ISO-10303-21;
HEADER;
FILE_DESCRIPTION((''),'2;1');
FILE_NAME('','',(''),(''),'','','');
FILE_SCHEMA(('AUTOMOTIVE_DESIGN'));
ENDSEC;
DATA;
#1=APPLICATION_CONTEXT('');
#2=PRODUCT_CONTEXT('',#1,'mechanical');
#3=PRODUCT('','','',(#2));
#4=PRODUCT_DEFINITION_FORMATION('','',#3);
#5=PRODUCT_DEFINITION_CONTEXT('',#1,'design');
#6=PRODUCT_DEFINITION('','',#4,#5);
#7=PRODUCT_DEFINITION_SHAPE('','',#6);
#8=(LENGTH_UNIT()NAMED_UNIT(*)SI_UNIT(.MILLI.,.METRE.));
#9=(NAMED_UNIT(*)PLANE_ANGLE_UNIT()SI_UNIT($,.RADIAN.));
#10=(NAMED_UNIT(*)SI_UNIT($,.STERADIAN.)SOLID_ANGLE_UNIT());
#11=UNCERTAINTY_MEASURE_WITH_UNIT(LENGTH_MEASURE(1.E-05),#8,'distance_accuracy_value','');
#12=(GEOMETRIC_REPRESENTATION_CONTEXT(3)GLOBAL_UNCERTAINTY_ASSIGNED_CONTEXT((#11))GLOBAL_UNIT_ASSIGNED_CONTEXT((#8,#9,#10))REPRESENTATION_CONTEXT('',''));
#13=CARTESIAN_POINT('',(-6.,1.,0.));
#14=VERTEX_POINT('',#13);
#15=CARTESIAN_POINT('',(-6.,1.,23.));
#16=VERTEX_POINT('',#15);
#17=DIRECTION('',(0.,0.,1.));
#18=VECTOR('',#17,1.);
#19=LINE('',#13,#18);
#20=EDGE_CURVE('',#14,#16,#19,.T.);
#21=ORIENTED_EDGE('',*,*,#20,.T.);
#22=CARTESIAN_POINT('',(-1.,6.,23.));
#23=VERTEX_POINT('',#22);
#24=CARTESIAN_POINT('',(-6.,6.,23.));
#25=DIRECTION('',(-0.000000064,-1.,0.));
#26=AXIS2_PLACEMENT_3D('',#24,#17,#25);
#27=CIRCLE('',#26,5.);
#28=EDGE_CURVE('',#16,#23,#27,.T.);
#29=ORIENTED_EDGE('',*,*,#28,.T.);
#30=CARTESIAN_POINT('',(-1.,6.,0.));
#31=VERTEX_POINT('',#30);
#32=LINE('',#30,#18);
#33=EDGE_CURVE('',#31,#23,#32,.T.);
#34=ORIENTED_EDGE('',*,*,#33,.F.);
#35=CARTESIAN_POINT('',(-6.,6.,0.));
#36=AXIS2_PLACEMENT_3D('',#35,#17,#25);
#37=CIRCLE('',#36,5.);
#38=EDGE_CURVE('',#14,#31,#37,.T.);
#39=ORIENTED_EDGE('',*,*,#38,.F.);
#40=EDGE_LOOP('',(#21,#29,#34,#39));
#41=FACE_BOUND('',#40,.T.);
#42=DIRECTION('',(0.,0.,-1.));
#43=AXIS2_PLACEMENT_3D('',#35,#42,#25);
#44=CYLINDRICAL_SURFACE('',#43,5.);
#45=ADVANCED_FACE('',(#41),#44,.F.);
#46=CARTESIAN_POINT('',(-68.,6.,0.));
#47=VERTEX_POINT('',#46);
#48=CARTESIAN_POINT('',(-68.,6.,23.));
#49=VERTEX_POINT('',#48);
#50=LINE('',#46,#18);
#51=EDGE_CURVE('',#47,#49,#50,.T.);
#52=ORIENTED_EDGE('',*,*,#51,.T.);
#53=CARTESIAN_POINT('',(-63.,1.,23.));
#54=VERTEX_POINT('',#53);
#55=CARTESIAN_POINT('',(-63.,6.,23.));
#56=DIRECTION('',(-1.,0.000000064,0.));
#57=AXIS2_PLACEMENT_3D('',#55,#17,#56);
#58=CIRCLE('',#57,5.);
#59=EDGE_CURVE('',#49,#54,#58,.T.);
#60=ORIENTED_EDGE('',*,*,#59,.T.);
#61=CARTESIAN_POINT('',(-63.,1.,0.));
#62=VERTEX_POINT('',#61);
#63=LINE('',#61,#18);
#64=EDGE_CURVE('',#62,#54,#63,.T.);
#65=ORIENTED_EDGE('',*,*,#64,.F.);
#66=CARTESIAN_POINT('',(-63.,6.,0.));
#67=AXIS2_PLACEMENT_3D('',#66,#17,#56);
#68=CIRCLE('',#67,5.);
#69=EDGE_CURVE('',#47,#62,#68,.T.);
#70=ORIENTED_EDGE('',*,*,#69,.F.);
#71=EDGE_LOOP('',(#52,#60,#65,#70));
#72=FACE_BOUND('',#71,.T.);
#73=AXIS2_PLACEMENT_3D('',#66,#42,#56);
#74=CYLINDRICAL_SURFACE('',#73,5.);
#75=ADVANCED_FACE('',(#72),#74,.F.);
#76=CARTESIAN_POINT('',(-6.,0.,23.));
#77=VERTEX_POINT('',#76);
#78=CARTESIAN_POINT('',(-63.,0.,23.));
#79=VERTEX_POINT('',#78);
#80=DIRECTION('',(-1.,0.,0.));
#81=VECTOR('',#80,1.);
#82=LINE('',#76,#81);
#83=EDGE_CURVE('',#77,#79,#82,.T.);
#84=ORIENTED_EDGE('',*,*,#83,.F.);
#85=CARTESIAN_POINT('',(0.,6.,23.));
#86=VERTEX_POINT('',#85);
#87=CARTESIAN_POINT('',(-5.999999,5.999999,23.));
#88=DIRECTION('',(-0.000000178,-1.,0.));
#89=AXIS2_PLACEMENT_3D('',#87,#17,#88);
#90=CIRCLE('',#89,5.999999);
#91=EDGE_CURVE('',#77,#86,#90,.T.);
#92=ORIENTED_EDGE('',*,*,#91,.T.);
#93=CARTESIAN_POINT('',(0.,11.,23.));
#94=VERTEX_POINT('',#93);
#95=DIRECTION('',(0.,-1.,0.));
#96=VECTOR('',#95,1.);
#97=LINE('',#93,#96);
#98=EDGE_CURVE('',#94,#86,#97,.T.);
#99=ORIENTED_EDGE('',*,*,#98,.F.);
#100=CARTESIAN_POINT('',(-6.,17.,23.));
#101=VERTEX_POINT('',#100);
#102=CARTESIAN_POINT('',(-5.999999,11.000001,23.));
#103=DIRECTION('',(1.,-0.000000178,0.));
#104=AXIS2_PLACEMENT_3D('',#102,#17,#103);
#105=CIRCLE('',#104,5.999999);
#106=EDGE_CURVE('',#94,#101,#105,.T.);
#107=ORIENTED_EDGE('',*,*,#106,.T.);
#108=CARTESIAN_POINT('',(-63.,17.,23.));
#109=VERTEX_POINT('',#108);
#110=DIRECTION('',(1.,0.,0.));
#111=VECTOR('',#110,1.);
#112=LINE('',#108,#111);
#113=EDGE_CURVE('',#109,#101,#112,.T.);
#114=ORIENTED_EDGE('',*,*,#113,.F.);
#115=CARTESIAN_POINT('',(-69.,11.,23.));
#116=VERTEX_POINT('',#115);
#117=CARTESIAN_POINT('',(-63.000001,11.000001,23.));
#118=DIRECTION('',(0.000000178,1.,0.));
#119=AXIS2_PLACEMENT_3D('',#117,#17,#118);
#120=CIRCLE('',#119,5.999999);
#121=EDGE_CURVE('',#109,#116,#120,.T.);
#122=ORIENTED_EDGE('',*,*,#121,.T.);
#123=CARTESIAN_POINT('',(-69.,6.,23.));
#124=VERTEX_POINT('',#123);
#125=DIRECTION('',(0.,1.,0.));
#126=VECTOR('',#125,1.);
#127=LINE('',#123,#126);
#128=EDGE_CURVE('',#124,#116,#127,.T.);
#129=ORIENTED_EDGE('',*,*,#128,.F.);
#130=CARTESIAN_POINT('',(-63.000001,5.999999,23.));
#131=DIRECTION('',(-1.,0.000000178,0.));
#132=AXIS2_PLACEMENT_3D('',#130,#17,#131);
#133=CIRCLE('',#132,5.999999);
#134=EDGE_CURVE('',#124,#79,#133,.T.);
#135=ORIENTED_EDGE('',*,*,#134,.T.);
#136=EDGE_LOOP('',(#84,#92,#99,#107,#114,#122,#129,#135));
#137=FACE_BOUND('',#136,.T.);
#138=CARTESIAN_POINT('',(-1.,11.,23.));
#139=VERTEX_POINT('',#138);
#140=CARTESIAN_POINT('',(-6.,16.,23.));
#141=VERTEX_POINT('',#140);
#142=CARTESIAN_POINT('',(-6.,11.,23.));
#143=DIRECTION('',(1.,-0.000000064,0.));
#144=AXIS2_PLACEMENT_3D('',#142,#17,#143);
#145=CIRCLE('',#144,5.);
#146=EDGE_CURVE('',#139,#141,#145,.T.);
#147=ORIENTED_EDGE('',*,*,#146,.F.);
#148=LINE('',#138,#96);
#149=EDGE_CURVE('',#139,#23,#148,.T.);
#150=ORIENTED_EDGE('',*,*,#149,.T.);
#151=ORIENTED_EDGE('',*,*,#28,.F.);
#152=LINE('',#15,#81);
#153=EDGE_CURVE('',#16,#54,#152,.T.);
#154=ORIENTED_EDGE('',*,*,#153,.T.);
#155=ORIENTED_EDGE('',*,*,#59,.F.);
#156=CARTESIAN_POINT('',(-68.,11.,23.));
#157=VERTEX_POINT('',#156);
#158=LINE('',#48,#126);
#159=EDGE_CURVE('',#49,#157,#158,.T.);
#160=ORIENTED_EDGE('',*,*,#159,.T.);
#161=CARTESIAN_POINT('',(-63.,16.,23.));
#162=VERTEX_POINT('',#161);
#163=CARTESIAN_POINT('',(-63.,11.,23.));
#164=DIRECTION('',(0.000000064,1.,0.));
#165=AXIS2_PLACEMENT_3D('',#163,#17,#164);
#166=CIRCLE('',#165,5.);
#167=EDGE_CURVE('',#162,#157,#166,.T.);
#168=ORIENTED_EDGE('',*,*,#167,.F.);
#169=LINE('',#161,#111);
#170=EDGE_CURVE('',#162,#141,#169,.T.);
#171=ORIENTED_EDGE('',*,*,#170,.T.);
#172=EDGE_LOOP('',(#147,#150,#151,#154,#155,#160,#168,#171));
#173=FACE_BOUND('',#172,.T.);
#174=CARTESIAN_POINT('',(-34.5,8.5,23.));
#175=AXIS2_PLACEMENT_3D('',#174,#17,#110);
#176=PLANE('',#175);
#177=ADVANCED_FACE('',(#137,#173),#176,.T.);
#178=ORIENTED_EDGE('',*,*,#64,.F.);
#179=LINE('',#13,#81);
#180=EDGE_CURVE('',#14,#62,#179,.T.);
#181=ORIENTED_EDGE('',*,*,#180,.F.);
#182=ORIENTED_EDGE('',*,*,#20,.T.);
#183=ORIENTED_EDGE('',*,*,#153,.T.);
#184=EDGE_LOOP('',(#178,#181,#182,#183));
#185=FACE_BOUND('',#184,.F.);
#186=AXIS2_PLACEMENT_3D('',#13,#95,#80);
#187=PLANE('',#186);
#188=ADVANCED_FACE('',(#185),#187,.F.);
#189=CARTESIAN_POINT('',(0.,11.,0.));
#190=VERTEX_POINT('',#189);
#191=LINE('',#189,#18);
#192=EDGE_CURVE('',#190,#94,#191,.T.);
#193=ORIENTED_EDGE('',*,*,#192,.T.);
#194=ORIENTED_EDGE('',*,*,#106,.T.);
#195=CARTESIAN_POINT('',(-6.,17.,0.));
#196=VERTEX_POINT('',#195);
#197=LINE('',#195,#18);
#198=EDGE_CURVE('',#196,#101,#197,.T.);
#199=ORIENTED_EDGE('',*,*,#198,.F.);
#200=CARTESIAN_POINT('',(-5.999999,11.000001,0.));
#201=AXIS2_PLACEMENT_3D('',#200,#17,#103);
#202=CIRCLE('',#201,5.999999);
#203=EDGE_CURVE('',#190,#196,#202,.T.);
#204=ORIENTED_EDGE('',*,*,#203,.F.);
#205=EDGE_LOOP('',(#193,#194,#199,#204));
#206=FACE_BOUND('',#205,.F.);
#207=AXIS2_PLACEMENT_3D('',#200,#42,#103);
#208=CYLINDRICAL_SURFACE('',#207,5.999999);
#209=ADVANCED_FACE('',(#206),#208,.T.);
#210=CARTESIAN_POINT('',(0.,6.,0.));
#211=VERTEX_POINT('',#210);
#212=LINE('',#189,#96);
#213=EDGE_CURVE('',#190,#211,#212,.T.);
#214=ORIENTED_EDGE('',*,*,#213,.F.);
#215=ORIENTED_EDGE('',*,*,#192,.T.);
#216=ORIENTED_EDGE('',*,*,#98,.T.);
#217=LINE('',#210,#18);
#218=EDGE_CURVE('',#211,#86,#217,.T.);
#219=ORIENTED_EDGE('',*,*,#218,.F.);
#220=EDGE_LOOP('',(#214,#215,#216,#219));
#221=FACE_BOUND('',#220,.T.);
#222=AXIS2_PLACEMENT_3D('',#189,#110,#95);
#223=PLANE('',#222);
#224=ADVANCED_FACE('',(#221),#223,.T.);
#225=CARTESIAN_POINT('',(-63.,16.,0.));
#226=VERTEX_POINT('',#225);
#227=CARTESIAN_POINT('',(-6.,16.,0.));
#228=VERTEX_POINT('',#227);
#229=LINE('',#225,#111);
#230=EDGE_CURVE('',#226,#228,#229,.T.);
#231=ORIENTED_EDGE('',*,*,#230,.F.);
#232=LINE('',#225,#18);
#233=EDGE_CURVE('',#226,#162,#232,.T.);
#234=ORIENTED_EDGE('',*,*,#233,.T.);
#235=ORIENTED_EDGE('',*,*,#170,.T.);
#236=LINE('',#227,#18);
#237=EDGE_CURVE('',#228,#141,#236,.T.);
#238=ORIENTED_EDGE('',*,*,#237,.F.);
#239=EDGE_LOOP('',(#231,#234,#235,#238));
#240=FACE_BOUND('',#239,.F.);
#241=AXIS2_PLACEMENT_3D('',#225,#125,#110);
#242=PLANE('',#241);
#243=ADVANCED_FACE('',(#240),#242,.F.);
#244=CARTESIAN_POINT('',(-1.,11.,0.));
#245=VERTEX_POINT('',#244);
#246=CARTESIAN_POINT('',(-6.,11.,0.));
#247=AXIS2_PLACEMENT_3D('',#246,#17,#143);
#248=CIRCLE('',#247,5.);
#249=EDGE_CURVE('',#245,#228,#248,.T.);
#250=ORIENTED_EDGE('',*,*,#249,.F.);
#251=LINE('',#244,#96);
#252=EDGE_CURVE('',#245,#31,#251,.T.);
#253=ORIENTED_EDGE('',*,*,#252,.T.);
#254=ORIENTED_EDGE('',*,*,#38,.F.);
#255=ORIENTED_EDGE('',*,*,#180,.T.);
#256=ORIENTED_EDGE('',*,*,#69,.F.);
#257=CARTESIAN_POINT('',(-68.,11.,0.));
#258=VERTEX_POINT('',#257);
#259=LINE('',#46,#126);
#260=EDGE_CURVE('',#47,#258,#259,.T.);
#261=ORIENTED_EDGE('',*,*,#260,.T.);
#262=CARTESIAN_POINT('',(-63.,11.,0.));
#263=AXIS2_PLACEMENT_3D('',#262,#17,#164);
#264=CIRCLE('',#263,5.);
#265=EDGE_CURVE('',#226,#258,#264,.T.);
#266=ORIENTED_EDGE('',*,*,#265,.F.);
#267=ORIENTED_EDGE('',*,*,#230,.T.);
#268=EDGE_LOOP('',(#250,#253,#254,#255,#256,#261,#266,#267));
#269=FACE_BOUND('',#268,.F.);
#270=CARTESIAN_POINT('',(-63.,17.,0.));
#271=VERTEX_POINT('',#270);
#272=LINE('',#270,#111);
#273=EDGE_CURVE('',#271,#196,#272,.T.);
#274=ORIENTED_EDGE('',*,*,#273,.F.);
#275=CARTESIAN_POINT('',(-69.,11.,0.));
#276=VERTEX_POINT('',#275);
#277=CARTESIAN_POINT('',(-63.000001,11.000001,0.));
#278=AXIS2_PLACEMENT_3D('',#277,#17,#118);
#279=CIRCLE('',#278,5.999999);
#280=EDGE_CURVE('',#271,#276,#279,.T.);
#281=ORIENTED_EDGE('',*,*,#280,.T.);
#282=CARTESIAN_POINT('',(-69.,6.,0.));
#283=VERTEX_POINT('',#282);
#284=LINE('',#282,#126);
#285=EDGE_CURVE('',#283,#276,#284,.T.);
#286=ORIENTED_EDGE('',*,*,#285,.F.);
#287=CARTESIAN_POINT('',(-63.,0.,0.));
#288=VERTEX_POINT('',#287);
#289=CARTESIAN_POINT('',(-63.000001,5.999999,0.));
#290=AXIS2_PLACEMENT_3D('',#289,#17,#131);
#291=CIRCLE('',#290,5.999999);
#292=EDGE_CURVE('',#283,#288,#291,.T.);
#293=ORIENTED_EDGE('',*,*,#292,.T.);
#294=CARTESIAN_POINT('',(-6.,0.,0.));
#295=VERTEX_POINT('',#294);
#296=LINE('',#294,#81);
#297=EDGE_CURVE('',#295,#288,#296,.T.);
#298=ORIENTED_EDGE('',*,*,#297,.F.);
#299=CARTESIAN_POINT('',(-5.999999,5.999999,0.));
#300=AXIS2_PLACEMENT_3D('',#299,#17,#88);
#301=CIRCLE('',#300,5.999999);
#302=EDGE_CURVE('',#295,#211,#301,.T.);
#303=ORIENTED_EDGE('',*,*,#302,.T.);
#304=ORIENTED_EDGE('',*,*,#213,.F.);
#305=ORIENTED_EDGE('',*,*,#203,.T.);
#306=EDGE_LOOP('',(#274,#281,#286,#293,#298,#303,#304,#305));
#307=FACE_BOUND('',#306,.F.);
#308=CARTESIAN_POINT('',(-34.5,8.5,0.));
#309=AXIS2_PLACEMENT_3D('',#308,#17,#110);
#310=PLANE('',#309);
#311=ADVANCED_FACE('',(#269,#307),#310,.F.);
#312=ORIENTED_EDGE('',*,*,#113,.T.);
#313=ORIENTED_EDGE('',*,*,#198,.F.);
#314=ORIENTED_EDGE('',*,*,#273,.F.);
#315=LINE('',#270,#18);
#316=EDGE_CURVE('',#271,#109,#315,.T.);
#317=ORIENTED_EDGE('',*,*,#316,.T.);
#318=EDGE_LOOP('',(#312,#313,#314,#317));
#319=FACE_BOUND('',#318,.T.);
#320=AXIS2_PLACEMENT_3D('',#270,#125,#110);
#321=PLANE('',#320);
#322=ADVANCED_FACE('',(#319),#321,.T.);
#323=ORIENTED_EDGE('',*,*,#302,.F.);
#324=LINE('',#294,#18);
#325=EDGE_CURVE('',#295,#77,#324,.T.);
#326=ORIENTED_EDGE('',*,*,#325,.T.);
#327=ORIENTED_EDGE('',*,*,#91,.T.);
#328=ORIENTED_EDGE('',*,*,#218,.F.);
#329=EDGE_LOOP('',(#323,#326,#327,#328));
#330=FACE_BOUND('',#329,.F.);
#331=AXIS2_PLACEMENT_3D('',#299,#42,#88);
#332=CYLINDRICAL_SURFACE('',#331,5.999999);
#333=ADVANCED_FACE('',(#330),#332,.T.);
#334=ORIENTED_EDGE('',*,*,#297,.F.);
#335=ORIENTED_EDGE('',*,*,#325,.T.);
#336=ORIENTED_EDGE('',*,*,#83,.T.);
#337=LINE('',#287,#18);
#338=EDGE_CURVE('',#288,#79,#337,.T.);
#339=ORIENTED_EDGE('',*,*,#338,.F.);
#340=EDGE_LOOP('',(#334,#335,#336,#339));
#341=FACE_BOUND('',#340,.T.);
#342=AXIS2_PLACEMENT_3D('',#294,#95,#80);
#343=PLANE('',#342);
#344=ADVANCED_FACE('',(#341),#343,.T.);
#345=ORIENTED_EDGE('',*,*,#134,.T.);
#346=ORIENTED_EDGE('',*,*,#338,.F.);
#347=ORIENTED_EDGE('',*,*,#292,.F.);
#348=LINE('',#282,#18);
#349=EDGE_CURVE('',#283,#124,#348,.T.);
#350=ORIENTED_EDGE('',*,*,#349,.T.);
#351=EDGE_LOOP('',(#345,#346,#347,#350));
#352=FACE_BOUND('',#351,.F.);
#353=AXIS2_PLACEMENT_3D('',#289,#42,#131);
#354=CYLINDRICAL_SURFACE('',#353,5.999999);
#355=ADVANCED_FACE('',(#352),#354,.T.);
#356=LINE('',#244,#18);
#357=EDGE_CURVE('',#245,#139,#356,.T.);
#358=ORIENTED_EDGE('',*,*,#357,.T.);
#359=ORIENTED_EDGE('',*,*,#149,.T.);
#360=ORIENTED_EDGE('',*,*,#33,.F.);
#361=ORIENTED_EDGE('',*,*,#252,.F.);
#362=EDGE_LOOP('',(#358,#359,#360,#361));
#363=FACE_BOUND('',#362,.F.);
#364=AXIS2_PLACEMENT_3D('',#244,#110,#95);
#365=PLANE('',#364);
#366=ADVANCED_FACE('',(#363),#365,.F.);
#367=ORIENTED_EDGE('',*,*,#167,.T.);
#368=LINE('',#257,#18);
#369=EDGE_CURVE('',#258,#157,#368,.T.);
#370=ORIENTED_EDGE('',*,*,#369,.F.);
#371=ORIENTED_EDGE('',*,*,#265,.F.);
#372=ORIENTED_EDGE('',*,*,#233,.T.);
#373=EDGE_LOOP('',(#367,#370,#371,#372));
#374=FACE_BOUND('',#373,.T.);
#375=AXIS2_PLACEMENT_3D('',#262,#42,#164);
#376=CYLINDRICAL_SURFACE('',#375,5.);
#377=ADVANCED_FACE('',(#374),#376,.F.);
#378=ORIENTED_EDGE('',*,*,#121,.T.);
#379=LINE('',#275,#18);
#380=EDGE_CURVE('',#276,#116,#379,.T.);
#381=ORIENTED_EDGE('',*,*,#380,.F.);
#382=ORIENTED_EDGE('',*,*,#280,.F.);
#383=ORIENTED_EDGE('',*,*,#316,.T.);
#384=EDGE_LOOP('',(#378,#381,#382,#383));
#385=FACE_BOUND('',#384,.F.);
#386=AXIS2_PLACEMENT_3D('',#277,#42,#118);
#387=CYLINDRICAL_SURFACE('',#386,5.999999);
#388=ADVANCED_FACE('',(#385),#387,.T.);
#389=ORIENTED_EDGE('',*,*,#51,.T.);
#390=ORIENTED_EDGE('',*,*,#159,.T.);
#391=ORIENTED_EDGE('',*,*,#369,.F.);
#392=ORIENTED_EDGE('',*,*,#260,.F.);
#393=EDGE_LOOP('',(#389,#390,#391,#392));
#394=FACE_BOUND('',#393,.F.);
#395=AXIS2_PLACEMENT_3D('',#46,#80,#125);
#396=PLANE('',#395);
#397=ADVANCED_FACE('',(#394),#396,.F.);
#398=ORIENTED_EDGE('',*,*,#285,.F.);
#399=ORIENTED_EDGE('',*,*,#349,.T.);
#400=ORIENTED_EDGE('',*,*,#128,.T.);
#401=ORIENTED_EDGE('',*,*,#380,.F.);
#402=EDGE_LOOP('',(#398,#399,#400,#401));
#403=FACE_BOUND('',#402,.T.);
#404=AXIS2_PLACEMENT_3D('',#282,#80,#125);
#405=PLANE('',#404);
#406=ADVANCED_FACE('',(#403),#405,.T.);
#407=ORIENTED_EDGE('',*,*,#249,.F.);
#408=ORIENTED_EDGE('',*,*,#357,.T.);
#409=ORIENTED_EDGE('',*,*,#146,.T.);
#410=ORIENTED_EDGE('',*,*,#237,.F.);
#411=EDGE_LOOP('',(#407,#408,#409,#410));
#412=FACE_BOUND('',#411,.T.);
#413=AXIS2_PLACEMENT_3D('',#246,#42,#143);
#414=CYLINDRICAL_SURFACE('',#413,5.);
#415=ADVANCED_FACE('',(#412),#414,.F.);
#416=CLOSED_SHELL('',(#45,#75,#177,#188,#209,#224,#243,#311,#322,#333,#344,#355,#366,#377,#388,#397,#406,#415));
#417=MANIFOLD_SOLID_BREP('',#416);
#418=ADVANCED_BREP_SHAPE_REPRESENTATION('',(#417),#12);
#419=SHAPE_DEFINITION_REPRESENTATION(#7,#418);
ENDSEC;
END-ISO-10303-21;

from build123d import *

# Parameters (mm, degrees)
PAD_DEPTH = 23


with BuildPart() as part:
    # Sketch → Pad (new body)
    with BuildSketch(Plane.XY):
        with BuildLine():
            ThreePointArc((-63, 17), (-67.242641, 15.242641), (-69, 11))
            Line((-69, 6), (-69, 11))
            ThreePointArc((-69, 6), (-67.242641, 1.757359), (-63, 0))
            Line((-6, 0), (-63, 0))
            ThreePointArc((-6, 0), (-1.757359, 1.757359), (0, 6))
            Line((0, 11), (0, 6))
            ThreePointArc((0, 11), (-1.757359, 15.242641), (-6, 17))
            Line((-63, 17), (-6, 17))
        make_face()
        with BuildLine():
            ThreePointArc((-63, 16), (-66.535534, 14.535534), (-68, 11))
            Line((-68, 6), (-68, 11))
            ThreePointArc((-68, 6), (-66.535534, 2.464466), (-63, 1))
            Line((-6, 1), (-63, 1))
            ThreePointArc((-6, 1), (-2.464466, 2.464466), (-1, 6))
            Line((-1, 11), (-1, 6))
            ThreePointArc((-1, 11), (-2.464466, 14.535534), (-6, 16))
            Line((-63, 16), (-6, 16))
        make_face(mode=Mode.SUBTRACT)
    extrude(amount=PAD_DEPTH)


solid = part.part
